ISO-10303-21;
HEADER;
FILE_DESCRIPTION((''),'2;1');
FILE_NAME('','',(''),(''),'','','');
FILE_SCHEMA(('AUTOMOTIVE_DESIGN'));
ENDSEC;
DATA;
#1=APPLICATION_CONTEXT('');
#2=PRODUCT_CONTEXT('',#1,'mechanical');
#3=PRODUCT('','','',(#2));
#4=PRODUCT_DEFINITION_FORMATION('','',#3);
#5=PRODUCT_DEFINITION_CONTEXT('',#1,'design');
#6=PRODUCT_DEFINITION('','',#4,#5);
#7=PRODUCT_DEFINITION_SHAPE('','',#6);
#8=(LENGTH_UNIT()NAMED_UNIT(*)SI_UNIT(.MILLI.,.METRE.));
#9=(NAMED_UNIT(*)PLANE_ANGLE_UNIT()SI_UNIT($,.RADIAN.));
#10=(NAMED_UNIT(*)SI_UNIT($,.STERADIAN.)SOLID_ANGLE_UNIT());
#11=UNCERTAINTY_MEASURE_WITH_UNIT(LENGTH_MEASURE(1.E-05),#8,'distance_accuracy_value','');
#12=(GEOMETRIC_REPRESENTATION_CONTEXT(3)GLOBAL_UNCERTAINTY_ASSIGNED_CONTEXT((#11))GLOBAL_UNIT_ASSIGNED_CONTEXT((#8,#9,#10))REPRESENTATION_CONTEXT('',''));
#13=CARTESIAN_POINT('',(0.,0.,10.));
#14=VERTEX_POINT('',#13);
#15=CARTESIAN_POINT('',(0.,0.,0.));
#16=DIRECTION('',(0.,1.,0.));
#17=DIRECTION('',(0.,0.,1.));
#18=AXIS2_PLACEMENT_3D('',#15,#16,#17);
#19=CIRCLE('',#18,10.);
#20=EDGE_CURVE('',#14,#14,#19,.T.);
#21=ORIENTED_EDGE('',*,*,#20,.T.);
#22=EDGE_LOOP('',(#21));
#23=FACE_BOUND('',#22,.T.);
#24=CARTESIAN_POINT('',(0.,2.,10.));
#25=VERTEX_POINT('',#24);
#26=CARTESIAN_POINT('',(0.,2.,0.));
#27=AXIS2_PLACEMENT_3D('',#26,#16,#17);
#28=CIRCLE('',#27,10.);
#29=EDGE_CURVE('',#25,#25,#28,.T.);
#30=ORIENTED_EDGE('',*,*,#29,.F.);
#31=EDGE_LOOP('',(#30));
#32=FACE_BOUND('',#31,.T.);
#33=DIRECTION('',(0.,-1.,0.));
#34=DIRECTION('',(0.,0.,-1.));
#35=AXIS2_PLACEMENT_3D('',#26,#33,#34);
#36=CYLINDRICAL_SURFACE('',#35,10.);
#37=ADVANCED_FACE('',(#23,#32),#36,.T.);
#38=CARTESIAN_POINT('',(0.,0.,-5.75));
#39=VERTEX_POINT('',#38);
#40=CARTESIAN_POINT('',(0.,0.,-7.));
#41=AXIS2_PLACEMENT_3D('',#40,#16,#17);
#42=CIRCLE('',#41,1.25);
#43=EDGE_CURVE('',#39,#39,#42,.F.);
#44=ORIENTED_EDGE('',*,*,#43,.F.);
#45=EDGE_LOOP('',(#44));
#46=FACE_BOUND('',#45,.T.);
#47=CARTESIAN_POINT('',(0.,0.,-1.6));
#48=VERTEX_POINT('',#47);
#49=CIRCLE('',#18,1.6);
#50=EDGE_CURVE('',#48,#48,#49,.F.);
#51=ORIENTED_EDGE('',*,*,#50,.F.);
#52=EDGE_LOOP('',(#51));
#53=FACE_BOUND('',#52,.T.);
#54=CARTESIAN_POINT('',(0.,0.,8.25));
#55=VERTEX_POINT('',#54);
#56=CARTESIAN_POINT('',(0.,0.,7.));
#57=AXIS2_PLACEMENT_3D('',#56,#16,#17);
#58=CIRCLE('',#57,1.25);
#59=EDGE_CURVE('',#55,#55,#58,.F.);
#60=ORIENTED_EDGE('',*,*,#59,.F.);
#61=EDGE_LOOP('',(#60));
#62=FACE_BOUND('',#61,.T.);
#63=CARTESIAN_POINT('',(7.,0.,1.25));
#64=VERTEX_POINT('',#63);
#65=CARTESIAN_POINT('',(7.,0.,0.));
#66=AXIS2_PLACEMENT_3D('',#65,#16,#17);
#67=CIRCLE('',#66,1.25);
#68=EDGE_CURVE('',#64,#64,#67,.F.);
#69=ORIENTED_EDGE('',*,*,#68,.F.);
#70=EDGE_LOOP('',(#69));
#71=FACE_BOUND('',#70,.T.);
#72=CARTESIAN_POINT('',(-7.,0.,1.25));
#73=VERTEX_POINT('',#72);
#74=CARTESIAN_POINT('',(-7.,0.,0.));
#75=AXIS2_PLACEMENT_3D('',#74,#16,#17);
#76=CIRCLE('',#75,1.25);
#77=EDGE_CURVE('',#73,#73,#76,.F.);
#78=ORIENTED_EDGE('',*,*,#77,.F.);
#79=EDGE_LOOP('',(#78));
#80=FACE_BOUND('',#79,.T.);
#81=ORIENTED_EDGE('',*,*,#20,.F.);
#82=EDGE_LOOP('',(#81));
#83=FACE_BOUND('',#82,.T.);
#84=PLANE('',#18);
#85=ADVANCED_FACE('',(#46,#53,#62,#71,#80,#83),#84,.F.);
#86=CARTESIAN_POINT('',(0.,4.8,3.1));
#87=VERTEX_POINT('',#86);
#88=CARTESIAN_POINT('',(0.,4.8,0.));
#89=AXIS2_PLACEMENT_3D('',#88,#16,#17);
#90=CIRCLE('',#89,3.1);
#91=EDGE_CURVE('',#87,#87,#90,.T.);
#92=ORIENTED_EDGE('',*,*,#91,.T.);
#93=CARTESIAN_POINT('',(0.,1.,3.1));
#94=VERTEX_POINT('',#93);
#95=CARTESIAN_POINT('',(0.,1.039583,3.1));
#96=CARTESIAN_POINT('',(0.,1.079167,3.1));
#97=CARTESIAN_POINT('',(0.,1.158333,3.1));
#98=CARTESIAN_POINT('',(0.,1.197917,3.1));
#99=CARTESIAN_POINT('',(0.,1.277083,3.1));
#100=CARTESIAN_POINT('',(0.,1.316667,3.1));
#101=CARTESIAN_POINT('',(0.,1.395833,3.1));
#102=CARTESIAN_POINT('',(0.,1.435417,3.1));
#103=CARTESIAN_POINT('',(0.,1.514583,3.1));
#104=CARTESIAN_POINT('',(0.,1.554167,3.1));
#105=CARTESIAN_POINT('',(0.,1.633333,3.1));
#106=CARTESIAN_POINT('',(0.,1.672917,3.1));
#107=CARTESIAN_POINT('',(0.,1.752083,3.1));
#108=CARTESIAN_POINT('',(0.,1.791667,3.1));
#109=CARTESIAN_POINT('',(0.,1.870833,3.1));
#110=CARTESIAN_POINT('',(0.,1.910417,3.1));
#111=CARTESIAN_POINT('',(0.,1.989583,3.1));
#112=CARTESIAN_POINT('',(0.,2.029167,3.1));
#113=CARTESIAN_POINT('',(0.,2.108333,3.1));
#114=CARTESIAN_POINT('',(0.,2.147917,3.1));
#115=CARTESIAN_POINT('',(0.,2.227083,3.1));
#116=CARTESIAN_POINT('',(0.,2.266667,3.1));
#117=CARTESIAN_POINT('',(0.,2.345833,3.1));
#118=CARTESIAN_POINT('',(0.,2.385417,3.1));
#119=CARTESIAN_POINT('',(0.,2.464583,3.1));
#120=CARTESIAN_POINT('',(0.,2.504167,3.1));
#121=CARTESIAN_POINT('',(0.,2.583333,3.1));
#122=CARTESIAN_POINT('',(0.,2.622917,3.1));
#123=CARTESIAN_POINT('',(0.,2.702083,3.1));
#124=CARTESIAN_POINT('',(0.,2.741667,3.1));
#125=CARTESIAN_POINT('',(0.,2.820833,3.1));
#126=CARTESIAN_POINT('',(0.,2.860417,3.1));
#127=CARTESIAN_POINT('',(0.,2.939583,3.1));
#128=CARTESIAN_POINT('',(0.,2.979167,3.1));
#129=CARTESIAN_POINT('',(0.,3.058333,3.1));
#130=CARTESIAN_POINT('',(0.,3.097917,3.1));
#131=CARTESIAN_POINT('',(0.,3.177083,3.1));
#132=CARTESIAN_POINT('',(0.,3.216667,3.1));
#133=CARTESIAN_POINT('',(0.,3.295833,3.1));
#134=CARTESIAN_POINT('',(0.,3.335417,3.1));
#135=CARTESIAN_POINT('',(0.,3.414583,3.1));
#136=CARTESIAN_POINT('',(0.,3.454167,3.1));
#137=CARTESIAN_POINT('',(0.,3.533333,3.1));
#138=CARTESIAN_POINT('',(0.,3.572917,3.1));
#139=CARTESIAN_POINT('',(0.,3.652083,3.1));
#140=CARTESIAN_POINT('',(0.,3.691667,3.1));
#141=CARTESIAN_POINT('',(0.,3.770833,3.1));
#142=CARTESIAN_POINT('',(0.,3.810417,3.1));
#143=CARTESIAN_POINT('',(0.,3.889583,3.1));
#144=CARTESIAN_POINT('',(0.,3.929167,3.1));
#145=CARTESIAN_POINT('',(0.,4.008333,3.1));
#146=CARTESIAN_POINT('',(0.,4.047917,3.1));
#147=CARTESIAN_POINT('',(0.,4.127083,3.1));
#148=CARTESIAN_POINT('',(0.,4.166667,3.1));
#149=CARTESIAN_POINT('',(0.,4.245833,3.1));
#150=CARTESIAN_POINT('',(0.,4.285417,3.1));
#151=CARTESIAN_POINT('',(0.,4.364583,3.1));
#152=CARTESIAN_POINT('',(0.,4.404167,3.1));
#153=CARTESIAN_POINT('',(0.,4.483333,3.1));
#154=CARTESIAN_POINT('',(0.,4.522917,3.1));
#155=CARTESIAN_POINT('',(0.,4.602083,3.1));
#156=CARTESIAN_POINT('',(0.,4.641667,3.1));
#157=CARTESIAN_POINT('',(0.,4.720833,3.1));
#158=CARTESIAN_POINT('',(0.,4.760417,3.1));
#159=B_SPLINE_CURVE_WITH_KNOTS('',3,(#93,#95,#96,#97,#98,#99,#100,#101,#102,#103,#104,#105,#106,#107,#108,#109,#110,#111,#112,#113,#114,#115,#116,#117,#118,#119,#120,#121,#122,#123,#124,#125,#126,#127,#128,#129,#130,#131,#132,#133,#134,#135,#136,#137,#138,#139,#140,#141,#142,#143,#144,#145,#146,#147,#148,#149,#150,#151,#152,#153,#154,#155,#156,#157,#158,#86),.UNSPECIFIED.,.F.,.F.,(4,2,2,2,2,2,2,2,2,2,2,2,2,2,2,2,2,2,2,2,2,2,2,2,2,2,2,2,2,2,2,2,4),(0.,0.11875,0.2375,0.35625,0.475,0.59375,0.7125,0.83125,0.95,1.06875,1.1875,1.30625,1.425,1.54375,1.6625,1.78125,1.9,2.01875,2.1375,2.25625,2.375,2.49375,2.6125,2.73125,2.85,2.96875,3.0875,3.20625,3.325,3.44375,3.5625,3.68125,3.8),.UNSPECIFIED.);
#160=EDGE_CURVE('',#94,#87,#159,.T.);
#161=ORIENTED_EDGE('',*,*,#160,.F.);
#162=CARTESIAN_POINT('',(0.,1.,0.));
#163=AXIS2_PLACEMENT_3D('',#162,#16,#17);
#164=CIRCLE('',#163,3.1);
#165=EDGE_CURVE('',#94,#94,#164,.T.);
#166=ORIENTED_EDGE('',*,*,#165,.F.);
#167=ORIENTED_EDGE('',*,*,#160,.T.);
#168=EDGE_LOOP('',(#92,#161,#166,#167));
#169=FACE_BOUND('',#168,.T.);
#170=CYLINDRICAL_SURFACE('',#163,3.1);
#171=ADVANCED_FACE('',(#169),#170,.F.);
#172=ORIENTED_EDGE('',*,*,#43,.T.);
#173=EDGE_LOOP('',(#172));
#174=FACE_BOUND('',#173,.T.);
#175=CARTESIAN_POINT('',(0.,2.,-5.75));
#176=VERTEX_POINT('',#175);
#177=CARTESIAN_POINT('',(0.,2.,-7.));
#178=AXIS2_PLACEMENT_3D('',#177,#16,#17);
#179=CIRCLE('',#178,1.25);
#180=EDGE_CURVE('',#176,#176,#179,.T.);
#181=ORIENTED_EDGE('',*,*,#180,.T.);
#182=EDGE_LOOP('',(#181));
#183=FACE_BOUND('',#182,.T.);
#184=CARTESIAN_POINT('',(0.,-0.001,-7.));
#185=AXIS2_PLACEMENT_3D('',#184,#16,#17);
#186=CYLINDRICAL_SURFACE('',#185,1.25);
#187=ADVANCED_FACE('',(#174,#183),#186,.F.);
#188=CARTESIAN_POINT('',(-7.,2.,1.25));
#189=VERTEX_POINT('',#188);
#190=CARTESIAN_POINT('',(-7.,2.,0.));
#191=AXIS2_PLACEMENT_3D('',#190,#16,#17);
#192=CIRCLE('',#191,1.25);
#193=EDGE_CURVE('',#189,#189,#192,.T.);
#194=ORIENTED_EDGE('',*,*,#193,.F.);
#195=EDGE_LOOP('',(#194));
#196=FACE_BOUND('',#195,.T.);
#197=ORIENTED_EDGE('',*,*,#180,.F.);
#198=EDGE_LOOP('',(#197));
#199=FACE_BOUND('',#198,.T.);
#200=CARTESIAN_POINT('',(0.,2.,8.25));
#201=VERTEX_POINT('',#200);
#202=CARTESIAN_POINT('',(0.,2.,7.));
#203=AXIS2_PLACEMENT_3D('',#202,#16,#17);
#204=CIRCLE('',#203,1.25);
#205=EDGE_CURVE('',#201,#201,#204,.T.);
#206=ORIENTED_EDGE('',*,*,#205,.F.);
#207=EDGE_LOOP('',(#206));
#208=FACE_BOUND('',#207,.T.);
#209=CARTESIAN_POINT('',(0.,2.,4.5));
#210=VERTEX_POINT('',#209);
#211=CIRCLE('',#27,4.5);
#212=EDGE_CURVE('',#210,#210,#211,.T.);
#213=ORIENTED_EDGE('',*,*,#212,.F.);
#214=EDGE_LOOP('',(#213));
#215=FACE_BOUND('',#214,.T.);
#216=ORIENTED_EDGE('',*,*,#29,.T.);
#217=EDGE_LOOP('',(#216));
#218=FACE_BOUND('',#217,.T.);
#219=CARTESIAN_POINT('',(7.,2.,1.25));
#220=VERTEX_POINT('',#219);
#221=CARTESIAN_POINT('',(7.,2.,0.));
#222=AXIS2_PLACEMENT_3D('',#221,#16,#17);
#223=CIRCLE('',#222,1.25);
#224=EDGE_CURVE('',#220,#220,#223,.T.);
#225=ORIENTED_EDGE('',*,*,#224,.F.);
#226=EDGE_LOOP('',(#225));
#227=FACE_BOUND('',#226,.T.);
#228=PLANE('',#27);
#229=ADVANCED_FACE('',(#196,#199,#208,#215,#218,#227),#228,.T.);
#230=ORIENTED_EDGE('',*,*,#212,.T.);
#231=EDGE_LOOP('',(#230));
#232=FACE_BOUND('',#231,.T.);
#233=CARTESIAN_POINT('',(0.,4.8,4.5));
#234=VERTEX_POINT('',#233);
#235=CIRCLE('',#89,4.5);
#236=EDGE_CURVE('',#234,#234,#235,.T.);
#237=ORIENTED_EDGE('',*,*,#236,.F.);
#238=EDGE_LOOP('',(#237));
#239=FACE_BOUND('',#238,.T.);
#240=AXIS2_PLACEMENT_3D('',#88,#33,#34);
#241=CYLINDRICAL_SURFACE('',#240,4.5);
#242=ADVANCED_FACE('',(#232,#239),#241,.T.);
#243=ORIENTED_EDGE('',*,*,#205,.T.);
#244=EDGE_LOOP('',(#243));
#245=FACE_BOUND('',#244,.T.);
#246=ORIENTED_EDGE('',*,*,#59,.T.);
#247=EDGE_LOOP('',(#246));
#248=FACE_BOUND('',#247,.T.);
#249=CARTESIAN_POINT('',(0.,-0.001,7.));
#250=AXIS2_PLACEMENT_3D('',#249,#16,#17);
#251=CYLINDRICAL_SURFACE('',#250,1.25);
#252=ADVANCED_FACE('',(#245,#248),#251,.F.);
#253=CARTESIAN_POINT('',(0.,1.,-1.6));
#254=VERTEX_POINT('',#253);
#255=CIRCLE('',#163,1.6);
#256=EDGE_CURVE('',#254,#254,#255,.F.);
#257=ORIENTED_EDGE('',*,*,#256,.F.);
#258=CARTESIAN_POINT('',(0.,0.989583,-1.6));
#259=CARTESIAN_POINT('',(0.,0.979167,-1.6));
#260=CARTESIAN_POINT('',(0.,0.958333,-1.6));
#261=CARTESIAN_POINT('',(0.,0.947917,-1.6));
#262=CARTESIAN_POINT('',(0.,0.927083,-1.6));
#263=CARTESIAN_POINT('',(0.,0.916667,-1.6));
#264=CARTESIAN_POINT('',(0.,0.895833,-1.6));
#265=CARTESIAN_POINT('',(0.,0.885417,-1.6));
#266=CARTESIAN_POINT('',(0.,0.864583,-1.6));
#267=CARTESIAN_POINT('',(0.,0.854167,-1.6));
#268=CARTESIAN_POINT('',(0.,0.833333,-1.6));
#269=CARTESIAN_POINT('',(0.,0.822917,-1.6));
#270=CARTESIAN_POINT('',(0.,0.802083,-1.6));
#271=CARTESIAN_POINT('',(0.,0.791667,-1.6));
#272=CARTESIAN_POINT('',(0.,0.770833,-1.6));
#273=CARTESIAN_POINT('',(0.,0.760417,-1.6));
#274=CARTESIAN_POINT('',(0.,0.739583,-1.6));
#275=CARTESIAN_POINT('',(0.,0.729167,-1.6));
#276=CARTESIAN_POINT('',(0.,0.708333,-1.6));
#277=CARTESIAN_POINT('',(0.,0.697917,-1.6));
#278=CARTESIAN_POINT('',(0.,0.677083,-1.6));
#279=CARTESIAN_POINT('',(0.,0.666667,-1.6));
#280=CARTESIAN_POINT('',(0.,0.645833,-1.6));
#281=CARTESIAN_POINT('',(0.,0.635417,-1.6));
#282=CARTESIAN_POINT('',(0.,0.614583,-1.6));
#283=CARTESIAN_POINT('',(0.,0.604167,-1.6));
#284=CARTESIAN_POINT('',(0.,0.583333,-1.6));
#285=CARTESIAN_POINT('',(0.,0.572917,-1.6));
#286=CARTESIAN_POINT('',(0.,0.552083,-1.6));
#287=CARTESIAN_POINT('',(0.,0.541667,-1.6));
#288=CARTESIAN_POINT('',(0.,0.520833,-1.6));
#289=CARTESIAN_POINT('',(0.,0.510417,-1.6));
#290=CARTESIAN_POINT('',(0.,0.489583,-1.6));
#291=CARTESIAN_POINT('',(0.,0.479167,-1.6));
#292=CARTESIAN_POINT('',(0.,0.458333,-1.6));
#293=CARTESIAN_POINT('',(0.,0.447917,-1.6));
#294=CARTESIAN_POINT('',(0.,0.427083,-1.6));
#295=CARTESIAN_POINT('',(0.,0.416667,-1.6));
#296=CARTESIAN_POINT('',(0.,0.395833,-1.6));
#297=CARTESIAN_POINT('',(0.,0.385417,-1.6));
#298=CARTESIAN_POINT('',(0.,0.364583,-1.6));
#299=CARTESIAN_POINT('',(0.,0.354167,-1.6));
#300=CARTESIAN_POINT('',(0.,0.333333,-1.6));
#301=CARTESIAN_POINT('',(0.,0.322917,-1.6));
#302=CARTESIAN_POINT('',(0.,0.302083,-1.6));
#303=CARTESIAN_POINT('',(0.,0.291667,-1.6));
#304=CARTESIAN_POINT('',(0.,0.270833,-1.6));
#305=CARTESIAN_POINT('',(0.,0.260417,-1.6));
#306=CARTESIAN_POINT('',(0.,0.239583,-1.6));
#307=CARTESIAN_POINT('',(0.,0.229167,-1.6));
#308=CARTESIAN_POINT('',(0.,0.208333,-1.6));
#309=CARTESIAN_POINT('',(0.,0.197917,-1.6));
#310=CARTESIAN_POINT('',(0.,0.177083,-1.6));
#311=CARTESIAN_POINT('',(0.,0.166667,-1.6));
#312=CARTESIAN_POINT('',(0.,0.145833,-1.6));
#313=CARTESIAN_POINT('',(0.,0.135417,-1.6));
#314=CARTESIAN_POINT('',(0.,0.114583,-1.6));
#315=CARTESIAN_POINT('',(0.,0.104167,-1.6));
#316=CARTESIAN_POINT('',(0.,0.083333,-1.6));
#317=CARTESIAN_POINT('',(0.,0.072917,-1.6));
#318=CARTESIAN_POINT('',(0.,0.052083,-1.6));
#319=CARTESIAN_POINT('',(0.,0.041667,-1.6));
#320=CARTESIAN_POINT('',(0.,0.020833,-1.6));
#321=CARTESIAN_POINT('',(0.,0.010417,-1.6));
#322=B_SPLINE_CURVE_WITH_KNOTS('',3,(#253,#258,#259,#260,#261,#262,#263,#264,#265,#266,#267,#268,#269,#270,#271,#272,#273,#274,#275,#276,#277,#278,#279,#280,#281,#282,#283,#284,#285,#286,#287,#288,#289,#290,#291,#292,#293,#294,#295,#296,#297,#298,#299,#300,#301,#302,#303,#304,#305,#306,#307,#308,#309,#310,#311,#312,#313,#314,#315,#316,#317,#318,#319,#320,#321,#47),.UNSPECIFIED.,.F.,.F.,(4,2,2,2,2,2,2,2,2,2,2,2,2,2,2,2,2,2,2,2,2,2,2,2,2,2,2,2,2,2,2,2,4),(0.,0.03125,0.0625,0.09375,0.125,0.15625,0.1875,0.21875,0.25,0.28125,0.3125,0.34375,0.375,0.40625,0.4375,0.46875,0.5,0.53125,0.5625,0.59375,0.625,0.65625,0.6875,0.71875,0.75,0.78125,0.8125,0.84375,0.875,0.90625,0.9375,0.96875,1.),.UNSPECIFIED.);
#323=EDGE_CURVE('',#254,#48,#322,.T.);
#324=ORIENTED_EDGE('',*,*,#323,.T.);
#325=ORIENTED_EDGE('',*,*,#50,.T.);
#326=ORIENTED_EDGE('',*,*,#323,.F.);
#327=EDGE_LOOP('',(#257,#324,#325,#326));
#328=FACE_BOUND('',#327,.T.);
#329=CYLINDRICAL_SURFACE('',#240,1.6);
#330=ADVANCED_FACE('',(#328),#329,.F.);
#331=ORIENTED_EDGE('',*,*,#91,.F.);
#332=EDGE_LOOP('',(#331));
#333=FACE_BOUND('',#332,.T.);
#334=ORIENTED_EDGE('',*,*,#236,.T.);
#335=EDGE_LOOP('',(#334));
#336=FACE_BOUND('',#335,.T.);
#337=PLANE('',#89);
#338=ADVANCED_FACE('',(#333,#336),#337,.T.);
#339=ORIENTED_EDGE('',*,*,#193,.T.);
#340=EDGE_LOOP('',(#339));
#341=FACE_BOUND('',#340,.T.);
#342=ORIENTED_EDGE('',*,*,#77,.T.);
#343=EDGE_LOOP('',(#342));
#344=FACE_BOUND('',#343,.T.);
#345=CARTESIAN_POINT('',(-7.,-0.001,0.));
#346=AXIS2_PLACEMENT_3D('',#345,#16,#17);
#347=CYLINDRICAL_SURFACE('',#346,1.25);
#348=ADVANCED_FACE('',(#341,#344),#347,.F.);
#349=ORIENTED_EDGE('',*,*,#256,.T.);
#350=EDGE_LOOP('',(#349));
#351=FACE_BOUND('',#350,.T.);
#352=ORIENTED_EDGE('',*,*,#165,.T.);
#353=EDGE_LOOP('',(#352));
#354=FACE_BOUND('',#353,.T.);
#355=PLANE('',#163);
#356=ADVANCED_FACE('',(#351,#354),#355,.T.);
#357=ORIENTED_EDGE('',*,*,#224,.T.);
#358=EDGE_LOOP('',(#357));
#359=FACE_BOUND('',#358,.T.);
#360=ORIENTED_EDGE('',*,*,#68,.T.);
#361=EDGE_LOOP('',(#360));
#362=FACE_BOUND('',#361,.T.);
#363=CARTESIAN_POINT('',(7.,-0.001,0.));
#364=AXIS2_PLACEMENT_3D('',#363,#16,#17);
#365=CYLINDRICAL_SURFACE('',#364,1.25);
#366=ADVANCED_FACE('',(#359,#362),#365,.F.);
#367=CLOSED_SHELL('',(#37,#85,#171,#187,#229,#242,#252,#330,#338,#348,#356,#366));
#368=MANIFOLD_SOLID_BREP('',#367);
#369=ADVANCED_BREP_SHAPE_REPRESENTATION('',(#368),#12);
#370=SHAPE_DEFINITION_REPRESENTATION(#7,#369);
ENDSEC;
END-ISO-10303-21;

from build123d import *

# Parameters (mm, degrees)
SKETCH_1_R                      = 10
EXTRUDE_1_DEPTH                 = 2
SKETCH_2_R                      = 4.5
EXTRUDE_2_DEPTH                 = 2.8
SKETCH_3_R                      = 3.1
CUT_EXTRUDE_1_DEPTH             = 3.8
CUT_EXTRUDE_2_REACH             = 16.644
SKETCH_4_R                      = 1.6
CUT_EXTRUDE_2_DIRECTION_2_DEPTH = 15.643770006
CUT_EXTRUDE_3_REACH             = 16.417
SKETCH_5_R                      = 1.25


with BuildPart() as part:
    # 草图1 → 凸台-拉伸1 (new body)
    with BuildSketch(Plane(origin=(0, 0, 0), x_dir=(1, 0, 0), z_dir=(0, 1, 0))):
        with Locations(Location((0, 0, 0), (0, 0, 270))):
            Circle(SKETCH_1_R)
    extrude(amount=EXTRUDE_1_DEPTH)

    # 草图2 → 凸台-拉伸2 (add)
    with BuildSketch(Plane(origin=(0, 2, 0), x_dir=(1, 0, 0), z_dir=(0, 1, 0))):
        with Locations(Location((0, 0, 0), (0, 0, 270))):
            Circle(SKETCH_2_R)
    extrude(amount=EXTRUDE_2_DEPTH)

    # 草图3 → 切除-拉伸1 (cut)
    with BuildSketch(Plane(origin=(0, 4.8, 0), x_dir=(1, 0, 0), z_dir=(0, 1, 0))):
        with Locations(Location((0, 0, 0), (0, 0, 270))):
            Circle(SKETCH_3_R)
    extrude(amount=-CUT_EXTRUDE_1_DEPTH, mode=Mode.SUBTRACT)

    # 草图4 → 切除-拉伸2 (cut, up to next)
    with BuildSketch(Plane(origin=(0, 1, 0), x_dir=(1, 0, 0), z_dir=(0, 1, 0)), mode=Mode.PRIVATE) as cut_extrude_2_sk1:
        with Locations(Location((0, 0, 0), (0, 0, 90))):
            Circle(SKETCH_4_R)
    cut_extrude_2_tool1 = extrude(cut_extrude_2_sk1.sketch, amount=-CUT_EXTRUDE_2_REACH, mode=Mode.PRIVATE) & part.part
    add(cut_extrude_2_tool1.solids().sort_by_distance((0, 1, 0))[0], mode=Mode.SUBTRACT)

    # 草图4 → 切除-拉伸2 direction 2 (cut)
    with BuildSketch(Plane(origin=(0, 1, 0), x_dir=(1, 0, 0), z_dir=(0, 1, 0))):
        with Locations(Location((0, 0, 0), (0, 0, 90))):
            Circle(SKETCH_4_R)
    extrude(amount=CUT_EXTRUDE_2_DIRECTION_2_DEPTH, mode=Mode.SUBTRACT)

    # 草图5 → 切除-拉伸3 (cut, up to next)
    with BuildSketch(Plane(origin=(0, 2, 0), x_dir=(1, 0, 0), z_dir=(0, 1, 0)), mode=Mode.PRIVATE) as cut_extrude_3_sk1:
        with Locations(Location((-7, 0, 0), (0, 0, 270))):
            Circle(SKETCH_5_R)
    cut_extrude_3_tool1 = extrude(cut_extrude_3_sk1.sketch, amount=-CUT_EXTRUDE_3_REACH, mode=Mode.PRIVATE) & part.part
    # 草图5 → 切除-拉伸3 (cut, up to next)
    with BuildSketch(Plane(origin=(0, 2, 0), x_dir=(1, 0, 0), z_dir=(0, 1, 0)), mode=Mode.PRIVATE) as cut_extrude_3_sk2:
        with Locations(Location((0, 7, 0), (0, 0, 270))):
            Circle(SKETCH_5_R)
    cut_extrude_3_tool2 = extrude(cut_extrude_3_sk2.sketch, amount=-CUT_EXTRUDE_3_REACH, mode=Mode.PRIVATE) & part.part
    # 草图5 → 切除-拉伸3 (cut, up to next)
    with BuildSketch(Plane(origin=(0, 2, 0), x_dir=(1, 0, 0), z_dir=(0, 1, 0)), mode=Mode.PRIVATE) as cut_extrude_3_sk3:
        with Locations(Location((7, 0, 0), (0, 0, 270))):
            Circle(SKETCH_5_R)
    cut_extrude_3_tool3 = extrude(cut_extrude_3_sk3.sketch, amount=-CUT_EXTRUDE_3_REACH, mode=Mode.PRIVATE) & part.part
    # 草图5 → 切除-拉伸3 (cut, up to next)
    with BuildSketch(Plane(origin=(0, 2, 0), x_dir=(1, 0, 0), z_dir=(0, 1, 0)), mode=Mode.PRIVATE) as cut_extrude_3_sk4:
        with Locations(Location((0, -7, 0), (0, 0, 270))):
            Circle(SKETCH_5_R)
    cut_extrude_3_tool4 = extrude(cut_extrude_3_sk4.sketch, amount=-CUT_EXTRUDE_3_REACH, mode=Mode.PRIVATE) & part.part
    add(cut_extrude_3_tool1.solids().sort_by_distance((-7, 2, 0))[0], mode=Mode.SUBTRACT)
    add(cut_extrude_3_tool2.solids().sort_by_distance((0, 2, -7))[0], mode=Mode.SUBTRACT)
    add(cut_extrude_3_tool3.solids().sort_by_distance((7, 2, 0))[0], mode=Mode.SUBTRACT)
    add(cut_extrude_3_tool4.solids().sort_by_distance((0, 2, 7))[0], mode=Mode.SUBTRACT)


solid = part.part
